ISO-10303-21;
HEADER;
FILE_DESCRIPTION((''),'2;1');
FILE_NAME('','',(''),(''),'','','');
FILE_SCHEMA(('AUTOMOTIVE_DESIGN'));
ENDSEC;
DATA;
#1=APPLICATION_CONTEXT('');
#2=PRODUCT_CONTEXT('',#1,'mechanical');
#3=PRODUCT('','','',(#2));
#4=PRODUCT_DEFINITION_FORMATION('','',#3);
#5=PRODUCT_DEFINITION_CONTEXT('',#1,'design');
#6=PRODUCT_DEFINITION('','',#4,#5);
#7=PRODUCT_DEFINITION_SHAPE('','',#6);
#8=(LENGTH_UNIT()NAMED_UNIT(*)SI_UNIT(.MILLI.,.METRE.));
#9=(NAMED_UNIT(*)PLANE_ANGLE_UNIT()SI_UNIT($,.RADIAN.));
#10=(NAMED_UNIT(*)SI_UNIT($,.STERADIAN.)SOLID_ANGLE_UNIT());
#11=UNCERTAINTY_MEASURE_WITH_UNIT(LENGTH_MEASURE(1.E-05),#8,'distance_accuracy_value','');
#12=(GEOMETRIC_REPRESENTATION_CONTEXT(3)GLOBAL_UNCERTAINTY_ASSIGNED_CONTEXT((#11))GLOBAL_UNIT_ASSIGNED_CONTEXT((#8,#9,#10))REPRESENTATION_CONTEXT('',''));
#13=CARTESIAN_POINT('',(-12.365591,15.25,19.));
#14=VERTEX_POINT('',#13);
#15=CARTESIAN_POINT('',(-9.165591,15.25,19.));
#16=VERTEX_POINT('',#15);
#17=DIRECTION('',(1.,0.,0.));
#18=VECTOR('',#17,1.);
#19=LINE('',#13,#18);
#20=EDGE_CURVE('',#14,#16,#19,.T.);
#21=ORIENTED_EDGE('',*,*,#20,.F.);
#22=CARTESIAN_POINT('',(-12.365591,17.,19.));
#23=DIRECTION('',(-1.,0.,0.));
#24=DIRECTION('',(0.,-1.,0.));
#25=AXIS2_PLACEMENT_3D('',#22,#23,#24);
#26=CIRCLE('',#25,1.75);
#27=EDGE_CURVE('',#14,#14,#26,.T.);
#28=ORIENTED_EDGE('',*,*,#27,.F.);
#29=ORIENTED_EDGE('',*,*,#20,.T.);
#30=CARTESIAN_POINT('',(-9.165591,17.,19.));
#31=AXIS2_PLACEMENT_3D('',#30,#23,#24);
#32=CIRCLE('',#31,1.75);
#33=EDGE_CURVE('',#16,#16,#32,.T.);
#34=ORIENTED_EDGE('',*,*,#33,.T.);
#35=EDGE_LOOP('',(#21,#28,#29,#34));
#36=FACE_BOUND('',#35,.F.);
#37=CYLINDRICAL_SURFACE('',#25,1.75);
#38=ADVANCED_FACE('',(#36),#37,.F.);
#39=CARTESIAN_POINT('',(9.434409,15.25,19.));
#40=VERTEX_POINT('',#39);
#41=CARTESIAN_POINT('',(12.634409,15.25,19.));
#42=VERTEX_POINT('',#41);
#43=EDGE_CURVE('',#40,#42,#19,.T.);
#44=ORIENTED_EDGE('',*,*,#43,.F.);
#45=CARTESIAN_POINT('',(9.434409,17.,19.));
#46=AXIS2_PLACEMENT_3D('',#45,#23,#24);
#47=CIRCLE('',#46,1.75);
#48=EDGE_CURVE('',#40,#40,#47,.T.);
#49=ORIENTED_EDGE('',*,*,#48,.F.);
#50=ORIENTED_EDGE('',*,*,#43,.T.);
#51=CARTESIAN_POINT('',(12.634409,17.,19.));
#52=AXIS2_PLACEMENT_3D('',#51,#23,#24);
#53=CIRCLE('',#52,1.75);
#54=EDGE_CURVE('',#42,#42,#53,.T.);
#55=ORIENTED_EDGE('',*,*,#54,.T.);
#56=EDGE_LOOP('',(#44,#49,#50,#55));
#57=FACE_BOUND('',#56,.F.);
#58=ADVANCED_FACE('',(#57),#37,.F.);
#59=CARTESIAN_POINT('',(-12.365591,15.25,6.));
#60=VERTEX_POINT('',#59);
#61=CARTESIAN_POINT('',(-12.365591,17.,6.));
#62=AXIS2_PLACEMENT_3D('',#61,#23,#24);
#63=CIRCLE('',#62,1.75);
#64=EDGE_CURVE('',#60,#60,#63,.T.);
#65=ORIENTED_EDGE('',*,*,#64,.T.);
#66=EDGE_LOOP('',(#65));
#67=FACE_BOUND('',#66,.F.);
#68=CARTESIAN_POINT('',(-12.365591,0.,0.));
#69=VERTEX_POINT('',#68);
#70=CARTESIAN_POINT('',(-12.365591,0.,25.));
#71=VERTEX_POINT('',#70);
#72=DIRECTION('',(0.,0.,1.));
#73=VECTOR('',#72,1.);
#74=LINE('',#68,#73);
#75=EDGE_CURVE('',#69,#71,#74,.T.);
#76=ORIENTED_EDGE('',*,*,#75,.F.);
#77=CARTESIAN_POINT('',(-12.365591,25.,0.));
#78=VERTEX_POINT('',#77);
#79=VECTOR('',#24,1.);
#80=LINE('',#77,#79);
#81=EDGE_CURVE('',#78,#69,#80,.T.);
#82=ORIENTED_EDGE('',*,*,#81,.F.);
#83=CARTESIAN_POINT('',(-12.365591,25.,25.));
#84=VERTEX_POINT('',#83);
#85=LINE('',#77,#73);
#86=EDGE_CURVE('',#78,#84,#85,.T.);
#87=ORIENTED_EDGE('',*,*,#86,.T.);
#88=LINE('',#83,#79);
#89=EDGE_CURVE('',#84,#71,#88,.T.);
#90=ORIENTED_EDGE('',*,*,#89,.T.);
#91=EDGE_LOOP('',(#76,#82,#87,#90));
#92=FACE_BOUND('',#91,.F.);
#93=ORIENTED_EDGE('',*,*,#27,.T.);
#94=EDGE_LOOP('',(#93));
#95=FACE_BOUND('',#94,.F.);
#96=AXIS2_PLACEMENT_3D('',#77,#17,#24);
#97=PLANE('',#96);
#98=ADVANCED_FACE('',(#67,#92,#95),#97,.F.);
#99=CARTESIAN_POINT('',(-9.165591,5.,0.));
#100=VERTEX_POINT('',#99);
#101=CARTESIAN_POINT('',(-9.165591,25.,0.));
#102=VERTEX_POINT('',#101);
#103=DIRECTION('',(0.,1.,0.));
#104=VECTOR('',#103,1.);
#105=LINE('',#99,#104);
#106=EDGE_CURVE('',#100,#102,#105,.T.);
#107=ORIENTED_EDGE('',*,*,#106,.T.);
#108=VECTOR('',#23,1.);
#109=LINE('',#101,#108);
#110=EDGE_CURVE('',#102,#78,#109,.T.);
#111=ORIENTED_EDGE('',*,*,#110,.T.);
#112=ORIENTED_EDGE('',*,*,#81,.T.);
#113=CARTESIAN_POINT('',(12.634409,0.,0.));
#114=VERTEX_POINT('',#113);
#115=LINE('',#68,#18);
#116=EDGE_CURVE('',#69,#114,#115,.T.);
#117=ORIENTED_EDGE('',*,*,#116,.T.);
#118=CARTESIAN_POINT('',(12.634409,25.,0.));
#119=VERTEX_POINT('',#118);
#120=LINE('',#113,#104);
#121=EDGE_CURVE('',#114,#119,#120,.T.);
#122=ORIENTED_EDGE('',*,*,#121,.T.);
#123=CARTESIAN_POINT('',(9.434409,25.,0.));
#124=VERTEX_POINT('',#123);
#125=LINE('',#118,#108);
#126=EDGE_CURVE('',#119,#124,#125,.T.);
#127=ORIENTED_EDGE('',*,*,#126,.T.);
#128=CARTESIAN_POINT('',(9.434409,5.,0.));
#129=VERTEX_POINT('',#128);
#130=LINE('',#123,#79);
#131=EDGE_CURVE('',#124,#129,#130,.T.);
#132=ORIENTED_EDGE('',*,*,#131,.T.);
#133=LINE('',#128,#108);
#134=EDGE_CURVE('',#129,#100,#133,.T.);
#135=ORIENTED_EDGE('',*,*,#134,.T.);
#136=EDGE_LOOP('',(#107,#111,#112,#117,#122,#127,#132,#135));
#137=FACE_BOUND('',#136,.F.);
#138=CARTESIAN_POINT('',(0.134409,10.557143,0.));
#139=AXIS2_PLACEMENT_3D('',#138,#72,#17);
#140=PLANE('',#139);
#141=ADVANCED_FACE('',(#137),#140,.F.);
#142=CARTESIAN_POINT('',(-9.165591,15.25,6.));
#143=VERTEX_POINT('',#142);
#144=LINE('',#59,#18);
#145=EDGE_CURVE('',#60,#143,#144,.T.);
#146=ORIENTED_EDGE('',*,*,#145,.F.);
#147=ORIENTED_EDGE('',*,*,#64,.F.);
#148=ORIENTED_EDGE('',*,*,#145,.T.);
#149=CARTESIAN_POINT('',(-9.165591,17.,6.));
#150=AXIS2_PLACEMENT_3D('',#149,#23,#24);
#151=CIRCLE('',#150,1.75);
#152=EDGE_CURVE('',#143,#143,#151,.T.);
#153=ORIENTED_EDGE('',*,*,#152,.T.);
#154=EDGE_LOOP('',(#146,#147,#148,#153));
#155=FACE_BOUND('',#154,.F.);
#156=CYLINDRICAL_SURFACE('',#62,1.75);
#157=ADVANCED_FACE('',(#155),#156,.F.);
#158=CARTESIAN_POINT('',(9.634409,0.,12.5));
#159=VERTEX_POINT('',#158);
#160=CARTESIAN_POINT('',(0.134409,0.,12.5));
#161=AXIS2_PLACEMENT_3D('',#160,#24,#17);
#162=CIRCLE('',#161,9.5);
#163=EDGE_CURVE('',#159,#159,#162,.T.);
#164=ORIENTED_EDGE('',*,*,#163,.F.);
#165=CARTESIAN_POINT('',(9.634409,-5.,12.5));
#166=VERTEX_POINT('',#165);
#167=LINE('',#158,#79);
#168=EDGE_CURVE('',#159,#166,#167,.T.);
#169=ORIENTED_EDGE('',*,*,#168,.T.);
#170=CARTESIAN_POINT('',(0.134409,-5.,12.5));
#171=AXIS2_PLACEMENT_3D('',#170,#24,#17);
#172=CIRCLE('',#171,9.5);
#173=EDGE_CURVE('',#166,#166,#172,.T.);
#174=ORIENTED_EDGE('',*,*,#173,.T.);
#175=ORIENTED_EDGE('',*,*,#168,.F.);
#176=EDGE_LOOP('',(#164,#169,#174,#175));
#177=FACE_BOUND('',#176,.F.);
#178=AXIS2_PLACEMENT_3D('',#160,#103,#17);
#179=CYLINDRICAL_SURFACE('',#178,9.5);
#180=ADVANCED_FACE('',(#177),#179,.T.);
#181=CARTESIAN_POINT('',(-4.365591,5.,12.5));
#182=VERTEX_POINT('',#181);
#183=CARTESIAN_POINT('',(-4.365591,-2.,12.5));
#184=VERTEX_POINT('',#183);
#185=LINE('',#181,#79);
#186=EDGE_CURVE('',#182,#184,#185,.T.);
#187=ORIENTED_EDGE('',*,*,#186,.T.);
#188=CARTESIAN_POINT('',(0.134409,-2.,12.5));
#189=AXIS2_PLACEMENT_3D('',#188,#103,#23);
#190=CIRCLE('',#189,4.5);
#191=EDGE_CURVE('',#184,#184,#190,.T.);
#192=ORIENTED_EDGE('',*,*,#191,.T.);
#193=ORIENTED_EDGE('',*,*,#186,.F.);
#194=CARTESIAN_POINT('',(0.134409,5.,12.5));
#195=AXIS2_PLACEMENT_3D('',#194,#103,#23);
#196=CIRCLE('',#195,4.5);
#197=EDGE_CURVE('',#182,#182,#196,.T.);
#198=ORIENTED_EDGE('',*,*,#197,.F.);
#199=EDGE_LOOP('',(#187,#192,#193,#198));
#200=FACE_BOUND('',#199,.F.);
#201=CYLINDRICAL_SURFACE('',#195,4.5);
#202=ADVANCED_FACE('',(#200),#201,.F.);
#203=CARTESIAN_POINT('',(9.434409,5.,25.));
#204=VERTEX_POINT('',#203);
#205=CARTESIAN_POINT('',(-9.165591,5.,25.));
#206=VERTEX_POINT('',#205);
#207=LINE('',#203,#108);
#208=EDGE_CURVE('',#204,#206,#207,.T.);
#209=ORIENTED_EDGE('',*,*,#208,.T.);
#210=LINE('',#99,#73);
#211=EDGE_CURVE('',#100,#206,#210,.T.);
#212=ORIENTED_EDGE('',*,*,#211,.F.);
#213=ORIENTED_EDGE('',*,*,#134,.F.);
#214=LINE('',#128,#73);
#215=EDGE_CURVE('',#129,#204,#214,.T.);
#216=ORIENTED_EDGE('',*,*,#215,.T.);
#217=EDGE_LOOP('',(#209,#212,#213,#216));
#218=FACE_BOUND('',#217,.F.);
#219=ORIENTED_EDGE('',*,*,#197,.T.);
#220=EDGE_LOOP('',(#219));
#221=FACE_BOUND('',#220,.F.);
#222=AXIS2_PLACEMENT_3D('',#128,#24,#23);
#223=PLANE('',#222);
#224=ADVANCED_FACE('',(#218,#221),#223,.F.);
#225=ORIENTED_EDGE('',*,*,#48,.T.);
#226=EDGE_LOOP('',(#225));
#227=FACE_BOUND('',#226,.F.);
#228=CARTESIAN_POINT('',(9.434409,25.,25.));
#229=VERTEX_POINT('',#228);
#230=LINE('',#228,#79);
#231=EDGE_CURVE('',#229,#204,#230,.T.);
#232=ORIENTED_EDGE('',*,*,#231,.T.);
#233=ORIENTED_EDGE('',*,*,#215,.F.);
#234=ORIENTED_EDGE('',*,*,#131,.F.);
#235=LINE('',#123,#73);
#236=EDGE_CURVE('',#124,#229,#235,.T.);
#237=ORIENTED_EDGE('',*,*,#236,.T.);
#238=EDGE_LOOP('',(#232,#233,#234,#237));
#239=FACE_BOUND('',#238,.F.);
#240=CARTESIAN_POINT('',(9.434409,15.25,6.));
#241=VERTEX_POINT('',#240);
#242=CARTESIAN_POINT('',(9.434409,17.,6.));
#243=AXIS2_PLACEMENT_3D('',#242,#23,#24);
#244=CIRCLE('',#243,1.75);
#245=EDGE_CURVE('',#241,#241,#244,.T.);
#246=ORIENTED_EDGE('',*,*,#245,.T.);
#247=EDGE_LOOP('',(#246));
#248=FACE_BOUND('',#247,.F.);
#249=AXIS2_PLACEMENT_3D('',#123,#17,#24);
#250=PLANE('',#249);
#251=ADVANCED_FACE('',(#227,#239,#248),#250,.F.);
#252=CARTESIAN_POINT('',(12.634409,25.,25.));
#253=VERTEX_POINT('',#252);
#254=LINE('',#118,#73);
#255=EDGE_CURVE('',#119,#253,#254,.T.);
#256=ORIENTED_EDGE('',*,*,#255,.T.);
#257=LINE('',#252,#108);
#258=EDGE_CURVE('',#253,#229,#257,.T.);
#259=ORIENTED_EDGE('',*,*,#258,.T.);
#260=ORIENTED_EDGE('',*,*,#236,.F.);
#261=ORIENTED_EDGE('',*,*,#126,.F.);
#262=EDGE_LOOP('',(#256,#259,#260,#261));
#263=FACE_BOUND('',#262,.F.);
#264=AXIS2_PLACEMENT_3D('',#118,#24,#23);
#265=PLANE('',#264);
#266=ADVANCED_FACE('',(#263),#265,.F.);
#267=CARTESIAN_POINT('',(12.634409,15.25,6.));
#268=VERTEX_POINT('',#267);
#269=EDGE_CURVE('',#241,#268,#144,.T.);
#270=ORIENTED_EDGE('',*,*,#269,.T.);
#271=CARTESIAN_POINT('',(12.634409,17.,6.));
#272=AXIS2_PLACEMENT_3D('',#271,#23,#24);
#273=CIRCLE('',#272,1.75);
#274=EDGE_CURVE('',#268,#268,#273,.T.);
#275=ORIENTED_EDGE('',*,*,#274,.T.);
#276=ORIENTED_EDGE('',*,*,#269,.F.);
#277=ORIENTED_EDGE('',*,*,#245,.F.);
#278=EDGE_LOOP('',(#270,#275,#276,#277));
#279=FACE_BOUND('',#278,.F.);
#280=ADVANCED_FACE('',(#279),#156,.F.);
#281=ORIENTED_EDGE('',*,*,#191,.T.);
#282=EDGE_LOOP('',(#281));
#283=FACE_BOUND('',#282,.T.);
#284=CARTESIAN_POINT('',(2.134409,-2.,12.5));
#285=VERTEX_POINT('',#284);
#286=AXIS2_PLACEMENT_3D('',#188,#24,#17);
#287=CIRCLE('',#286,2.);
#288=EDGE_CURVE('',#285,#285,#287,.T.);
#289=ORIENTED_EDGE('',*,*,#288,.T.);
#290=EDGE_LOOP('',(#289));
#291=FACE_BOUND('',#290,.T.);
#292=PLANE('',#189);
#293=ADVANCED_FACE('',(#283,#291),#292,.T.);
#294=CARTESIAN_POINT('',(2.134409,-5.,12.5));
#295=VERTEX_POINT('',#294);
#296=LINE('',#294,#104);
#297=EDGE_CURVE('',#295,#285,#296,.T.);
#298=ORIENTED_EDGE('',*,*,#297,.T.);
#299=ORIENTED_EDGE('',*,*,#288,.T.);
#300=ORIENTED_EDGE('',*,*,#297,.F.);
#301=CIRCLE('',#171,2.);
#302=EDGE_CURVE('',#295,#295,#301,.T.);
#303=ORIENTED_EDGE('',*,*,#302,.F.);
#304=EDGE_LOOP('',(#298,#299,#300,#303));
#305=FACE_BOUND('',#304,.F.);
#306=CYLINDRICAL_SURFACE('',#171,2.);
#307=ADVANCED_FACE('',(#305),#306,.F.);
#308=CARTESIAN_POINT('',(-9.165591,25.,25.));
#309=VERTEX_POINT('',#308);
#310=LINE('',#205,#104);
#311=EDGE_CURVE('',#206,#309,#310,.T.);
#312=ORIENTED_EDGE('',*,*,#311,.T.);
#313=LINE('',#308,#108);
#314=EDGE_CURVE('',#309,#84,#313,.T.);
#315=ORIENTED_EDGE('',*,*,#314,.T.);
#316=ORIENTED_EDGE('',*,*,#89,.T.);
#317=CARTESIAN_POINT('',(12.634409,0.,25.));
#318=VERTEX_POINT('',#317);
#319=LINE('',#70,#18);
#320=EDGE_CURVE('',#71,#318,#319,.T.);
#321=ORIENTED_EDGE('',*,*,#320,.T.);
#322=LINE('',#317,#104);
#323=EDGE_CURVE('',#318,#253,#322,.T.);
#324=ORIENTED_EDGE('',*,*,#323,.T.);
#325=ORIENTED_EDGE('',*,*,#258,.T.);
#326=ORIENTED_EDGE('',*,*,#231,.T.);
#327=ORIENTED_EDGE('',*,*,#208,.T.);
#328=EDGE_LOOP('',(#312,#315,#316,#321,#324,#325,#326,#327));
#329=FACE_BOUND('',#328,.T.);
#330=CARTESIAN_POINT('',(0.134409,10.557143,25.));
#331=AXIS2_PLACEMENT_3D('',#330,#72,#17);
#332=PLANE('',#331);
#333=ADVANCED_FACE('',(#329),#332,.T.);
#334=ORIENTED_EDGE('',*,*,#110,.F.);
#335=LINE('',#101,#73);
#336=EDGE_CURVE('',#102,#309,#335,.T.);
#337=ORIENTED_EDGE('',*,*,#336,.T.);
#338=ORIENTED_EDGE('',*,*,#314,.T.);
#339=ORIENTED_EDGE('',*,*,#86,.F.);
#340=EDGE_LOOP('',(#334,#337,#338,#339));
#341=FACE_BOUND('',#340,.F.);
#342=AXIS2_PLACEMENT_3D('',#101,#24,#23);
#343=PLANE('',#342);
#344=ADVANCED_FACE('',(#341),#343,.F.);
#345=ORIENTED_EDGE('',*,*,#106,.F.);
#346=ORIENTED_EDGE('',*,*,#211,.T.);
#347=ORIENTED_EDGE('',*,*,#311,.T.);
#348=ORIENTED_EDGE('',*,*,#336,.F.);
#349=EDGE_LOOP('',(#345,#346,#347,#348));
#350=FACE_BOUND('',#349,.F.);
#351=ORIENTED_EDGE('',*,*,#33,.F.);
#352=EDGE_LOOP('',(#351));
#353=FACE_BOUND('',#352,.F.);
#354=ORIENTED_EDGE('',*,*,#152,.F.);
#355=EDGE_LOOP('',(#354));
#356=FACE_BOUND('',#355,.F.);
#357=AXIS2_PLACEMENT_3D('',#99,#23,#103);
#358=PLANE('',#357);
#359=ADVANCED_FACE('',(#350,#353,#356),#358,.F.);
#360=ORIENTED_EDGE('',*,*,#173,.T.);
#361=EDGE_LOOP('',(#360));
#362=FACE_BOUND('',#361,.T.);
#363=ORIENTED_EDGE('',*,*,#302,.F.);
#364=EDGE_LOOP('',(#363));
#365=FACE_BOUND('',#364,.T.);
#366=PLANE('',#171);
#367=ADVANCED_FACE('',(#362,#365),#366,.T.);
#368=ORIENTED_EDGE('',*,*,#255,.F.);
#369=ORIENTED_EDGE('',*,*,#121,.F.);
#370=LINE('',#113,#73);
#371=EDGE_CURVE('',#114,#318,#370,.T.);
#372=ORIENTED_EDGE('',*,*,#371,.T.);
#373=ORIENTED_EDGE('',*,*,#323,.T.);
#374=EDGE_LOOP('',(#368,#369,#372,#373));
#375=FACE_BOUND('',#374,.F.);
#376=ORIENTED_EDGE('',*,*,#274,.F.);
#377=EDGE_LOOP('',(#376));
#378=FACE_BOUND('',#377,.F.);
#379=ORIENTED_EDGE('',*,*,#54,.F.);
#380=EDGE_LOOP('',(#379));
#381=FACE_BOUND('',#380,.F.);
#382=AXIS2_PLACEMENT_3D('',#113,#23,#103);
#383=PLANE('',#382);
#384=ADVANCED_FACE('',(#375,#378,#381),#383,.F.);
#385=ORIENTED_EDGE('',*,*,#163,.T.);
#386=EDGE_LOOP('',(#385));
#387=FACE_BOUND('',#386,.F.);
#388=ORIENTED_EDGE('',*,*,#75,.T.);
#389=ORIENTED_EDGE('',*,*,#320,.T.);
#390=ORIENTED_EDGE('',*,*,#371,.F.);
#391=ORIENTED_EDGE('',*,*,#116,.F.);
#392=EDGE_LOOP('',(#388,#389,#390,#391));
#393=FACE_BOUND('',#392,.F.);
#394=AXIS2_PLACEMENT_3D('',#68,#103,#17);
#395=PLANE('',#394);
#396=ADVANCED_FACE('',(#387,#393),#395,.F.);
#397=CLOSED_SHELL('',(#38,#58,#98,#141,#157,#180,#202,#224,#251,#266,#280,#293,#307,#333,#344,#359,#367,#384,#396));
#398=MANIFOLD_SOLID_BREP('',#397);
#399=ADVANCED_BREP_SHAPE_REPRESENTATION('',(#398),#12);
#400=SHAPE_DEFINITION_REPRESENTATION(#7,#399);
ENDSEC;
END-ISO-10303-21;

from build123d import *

# Parameters (mm, degrees)
F1_DEPTH = 25
F2_R     = 9.5
F3_DEPTH = 5
F4_R     = 2
F5_DEPTH = 30.001
F6_R     = 4.5
F7_DEPTH = 7
F8_R     = 1.75
F9_DEPTH = 25.001


with BuildPart() as f1:
    # F0 (on Top) → F1 (new body)
    with BuildSketch(Plane.XY):
        Polygon((-12.365591, 25), (-12.365591, 0), (12.634409, 0), (12.634409, 25), (9.434409, 25), (9.434409, 5), (-9.165591, 5), (-9.165591, 25), align=None)
    extrude(amount=F1_DEPTH)

    # F2 (on face) → F3 (join)
    with BuildSketch(Plane.XZ):
        with Locations((0.134409, 12.5)):
            Circle(F2_R)
    extrude(amount=F3_DEPTH)

    # F4 (on face) → F5 (cut, through all)
    with BuildSketch(Plane.XZ.offset(5)):
        with Locations((0.134409, 12.5)):
            Circle(F4_R)
    extrude(amount=-F5_DEPTH, mode=Mode.SUBTRACT)

    # F6 (on face) → F7 (cut)
    with BuildSketch(Plane(origin=(0, 5, 0), x_dir=(-1, 0, 0), z_dir=(0, 1, 0))):
        with Locations((-0.134409, 12.5)):
            Circle(F6_R)
    extrude(amount=-F7_DEPTH, mode=Mode.SUBTRACT)

    # F8 (on face) → F9 (cut, through all)
    with BuildSketch(Plane(origin=(-12.365591, 0, 0), x_dir=(0, -1, 0), z_dir=(-1, 0, 0))):
        with Locations((-17, 6)):
            Circle(F8_R)
        with Locations((-17, 19)):
            Circle(F8_R)
    extrude(amount=-F9_DEPTH, mode=Mode.SUBTRACT)


solid = f1.part
